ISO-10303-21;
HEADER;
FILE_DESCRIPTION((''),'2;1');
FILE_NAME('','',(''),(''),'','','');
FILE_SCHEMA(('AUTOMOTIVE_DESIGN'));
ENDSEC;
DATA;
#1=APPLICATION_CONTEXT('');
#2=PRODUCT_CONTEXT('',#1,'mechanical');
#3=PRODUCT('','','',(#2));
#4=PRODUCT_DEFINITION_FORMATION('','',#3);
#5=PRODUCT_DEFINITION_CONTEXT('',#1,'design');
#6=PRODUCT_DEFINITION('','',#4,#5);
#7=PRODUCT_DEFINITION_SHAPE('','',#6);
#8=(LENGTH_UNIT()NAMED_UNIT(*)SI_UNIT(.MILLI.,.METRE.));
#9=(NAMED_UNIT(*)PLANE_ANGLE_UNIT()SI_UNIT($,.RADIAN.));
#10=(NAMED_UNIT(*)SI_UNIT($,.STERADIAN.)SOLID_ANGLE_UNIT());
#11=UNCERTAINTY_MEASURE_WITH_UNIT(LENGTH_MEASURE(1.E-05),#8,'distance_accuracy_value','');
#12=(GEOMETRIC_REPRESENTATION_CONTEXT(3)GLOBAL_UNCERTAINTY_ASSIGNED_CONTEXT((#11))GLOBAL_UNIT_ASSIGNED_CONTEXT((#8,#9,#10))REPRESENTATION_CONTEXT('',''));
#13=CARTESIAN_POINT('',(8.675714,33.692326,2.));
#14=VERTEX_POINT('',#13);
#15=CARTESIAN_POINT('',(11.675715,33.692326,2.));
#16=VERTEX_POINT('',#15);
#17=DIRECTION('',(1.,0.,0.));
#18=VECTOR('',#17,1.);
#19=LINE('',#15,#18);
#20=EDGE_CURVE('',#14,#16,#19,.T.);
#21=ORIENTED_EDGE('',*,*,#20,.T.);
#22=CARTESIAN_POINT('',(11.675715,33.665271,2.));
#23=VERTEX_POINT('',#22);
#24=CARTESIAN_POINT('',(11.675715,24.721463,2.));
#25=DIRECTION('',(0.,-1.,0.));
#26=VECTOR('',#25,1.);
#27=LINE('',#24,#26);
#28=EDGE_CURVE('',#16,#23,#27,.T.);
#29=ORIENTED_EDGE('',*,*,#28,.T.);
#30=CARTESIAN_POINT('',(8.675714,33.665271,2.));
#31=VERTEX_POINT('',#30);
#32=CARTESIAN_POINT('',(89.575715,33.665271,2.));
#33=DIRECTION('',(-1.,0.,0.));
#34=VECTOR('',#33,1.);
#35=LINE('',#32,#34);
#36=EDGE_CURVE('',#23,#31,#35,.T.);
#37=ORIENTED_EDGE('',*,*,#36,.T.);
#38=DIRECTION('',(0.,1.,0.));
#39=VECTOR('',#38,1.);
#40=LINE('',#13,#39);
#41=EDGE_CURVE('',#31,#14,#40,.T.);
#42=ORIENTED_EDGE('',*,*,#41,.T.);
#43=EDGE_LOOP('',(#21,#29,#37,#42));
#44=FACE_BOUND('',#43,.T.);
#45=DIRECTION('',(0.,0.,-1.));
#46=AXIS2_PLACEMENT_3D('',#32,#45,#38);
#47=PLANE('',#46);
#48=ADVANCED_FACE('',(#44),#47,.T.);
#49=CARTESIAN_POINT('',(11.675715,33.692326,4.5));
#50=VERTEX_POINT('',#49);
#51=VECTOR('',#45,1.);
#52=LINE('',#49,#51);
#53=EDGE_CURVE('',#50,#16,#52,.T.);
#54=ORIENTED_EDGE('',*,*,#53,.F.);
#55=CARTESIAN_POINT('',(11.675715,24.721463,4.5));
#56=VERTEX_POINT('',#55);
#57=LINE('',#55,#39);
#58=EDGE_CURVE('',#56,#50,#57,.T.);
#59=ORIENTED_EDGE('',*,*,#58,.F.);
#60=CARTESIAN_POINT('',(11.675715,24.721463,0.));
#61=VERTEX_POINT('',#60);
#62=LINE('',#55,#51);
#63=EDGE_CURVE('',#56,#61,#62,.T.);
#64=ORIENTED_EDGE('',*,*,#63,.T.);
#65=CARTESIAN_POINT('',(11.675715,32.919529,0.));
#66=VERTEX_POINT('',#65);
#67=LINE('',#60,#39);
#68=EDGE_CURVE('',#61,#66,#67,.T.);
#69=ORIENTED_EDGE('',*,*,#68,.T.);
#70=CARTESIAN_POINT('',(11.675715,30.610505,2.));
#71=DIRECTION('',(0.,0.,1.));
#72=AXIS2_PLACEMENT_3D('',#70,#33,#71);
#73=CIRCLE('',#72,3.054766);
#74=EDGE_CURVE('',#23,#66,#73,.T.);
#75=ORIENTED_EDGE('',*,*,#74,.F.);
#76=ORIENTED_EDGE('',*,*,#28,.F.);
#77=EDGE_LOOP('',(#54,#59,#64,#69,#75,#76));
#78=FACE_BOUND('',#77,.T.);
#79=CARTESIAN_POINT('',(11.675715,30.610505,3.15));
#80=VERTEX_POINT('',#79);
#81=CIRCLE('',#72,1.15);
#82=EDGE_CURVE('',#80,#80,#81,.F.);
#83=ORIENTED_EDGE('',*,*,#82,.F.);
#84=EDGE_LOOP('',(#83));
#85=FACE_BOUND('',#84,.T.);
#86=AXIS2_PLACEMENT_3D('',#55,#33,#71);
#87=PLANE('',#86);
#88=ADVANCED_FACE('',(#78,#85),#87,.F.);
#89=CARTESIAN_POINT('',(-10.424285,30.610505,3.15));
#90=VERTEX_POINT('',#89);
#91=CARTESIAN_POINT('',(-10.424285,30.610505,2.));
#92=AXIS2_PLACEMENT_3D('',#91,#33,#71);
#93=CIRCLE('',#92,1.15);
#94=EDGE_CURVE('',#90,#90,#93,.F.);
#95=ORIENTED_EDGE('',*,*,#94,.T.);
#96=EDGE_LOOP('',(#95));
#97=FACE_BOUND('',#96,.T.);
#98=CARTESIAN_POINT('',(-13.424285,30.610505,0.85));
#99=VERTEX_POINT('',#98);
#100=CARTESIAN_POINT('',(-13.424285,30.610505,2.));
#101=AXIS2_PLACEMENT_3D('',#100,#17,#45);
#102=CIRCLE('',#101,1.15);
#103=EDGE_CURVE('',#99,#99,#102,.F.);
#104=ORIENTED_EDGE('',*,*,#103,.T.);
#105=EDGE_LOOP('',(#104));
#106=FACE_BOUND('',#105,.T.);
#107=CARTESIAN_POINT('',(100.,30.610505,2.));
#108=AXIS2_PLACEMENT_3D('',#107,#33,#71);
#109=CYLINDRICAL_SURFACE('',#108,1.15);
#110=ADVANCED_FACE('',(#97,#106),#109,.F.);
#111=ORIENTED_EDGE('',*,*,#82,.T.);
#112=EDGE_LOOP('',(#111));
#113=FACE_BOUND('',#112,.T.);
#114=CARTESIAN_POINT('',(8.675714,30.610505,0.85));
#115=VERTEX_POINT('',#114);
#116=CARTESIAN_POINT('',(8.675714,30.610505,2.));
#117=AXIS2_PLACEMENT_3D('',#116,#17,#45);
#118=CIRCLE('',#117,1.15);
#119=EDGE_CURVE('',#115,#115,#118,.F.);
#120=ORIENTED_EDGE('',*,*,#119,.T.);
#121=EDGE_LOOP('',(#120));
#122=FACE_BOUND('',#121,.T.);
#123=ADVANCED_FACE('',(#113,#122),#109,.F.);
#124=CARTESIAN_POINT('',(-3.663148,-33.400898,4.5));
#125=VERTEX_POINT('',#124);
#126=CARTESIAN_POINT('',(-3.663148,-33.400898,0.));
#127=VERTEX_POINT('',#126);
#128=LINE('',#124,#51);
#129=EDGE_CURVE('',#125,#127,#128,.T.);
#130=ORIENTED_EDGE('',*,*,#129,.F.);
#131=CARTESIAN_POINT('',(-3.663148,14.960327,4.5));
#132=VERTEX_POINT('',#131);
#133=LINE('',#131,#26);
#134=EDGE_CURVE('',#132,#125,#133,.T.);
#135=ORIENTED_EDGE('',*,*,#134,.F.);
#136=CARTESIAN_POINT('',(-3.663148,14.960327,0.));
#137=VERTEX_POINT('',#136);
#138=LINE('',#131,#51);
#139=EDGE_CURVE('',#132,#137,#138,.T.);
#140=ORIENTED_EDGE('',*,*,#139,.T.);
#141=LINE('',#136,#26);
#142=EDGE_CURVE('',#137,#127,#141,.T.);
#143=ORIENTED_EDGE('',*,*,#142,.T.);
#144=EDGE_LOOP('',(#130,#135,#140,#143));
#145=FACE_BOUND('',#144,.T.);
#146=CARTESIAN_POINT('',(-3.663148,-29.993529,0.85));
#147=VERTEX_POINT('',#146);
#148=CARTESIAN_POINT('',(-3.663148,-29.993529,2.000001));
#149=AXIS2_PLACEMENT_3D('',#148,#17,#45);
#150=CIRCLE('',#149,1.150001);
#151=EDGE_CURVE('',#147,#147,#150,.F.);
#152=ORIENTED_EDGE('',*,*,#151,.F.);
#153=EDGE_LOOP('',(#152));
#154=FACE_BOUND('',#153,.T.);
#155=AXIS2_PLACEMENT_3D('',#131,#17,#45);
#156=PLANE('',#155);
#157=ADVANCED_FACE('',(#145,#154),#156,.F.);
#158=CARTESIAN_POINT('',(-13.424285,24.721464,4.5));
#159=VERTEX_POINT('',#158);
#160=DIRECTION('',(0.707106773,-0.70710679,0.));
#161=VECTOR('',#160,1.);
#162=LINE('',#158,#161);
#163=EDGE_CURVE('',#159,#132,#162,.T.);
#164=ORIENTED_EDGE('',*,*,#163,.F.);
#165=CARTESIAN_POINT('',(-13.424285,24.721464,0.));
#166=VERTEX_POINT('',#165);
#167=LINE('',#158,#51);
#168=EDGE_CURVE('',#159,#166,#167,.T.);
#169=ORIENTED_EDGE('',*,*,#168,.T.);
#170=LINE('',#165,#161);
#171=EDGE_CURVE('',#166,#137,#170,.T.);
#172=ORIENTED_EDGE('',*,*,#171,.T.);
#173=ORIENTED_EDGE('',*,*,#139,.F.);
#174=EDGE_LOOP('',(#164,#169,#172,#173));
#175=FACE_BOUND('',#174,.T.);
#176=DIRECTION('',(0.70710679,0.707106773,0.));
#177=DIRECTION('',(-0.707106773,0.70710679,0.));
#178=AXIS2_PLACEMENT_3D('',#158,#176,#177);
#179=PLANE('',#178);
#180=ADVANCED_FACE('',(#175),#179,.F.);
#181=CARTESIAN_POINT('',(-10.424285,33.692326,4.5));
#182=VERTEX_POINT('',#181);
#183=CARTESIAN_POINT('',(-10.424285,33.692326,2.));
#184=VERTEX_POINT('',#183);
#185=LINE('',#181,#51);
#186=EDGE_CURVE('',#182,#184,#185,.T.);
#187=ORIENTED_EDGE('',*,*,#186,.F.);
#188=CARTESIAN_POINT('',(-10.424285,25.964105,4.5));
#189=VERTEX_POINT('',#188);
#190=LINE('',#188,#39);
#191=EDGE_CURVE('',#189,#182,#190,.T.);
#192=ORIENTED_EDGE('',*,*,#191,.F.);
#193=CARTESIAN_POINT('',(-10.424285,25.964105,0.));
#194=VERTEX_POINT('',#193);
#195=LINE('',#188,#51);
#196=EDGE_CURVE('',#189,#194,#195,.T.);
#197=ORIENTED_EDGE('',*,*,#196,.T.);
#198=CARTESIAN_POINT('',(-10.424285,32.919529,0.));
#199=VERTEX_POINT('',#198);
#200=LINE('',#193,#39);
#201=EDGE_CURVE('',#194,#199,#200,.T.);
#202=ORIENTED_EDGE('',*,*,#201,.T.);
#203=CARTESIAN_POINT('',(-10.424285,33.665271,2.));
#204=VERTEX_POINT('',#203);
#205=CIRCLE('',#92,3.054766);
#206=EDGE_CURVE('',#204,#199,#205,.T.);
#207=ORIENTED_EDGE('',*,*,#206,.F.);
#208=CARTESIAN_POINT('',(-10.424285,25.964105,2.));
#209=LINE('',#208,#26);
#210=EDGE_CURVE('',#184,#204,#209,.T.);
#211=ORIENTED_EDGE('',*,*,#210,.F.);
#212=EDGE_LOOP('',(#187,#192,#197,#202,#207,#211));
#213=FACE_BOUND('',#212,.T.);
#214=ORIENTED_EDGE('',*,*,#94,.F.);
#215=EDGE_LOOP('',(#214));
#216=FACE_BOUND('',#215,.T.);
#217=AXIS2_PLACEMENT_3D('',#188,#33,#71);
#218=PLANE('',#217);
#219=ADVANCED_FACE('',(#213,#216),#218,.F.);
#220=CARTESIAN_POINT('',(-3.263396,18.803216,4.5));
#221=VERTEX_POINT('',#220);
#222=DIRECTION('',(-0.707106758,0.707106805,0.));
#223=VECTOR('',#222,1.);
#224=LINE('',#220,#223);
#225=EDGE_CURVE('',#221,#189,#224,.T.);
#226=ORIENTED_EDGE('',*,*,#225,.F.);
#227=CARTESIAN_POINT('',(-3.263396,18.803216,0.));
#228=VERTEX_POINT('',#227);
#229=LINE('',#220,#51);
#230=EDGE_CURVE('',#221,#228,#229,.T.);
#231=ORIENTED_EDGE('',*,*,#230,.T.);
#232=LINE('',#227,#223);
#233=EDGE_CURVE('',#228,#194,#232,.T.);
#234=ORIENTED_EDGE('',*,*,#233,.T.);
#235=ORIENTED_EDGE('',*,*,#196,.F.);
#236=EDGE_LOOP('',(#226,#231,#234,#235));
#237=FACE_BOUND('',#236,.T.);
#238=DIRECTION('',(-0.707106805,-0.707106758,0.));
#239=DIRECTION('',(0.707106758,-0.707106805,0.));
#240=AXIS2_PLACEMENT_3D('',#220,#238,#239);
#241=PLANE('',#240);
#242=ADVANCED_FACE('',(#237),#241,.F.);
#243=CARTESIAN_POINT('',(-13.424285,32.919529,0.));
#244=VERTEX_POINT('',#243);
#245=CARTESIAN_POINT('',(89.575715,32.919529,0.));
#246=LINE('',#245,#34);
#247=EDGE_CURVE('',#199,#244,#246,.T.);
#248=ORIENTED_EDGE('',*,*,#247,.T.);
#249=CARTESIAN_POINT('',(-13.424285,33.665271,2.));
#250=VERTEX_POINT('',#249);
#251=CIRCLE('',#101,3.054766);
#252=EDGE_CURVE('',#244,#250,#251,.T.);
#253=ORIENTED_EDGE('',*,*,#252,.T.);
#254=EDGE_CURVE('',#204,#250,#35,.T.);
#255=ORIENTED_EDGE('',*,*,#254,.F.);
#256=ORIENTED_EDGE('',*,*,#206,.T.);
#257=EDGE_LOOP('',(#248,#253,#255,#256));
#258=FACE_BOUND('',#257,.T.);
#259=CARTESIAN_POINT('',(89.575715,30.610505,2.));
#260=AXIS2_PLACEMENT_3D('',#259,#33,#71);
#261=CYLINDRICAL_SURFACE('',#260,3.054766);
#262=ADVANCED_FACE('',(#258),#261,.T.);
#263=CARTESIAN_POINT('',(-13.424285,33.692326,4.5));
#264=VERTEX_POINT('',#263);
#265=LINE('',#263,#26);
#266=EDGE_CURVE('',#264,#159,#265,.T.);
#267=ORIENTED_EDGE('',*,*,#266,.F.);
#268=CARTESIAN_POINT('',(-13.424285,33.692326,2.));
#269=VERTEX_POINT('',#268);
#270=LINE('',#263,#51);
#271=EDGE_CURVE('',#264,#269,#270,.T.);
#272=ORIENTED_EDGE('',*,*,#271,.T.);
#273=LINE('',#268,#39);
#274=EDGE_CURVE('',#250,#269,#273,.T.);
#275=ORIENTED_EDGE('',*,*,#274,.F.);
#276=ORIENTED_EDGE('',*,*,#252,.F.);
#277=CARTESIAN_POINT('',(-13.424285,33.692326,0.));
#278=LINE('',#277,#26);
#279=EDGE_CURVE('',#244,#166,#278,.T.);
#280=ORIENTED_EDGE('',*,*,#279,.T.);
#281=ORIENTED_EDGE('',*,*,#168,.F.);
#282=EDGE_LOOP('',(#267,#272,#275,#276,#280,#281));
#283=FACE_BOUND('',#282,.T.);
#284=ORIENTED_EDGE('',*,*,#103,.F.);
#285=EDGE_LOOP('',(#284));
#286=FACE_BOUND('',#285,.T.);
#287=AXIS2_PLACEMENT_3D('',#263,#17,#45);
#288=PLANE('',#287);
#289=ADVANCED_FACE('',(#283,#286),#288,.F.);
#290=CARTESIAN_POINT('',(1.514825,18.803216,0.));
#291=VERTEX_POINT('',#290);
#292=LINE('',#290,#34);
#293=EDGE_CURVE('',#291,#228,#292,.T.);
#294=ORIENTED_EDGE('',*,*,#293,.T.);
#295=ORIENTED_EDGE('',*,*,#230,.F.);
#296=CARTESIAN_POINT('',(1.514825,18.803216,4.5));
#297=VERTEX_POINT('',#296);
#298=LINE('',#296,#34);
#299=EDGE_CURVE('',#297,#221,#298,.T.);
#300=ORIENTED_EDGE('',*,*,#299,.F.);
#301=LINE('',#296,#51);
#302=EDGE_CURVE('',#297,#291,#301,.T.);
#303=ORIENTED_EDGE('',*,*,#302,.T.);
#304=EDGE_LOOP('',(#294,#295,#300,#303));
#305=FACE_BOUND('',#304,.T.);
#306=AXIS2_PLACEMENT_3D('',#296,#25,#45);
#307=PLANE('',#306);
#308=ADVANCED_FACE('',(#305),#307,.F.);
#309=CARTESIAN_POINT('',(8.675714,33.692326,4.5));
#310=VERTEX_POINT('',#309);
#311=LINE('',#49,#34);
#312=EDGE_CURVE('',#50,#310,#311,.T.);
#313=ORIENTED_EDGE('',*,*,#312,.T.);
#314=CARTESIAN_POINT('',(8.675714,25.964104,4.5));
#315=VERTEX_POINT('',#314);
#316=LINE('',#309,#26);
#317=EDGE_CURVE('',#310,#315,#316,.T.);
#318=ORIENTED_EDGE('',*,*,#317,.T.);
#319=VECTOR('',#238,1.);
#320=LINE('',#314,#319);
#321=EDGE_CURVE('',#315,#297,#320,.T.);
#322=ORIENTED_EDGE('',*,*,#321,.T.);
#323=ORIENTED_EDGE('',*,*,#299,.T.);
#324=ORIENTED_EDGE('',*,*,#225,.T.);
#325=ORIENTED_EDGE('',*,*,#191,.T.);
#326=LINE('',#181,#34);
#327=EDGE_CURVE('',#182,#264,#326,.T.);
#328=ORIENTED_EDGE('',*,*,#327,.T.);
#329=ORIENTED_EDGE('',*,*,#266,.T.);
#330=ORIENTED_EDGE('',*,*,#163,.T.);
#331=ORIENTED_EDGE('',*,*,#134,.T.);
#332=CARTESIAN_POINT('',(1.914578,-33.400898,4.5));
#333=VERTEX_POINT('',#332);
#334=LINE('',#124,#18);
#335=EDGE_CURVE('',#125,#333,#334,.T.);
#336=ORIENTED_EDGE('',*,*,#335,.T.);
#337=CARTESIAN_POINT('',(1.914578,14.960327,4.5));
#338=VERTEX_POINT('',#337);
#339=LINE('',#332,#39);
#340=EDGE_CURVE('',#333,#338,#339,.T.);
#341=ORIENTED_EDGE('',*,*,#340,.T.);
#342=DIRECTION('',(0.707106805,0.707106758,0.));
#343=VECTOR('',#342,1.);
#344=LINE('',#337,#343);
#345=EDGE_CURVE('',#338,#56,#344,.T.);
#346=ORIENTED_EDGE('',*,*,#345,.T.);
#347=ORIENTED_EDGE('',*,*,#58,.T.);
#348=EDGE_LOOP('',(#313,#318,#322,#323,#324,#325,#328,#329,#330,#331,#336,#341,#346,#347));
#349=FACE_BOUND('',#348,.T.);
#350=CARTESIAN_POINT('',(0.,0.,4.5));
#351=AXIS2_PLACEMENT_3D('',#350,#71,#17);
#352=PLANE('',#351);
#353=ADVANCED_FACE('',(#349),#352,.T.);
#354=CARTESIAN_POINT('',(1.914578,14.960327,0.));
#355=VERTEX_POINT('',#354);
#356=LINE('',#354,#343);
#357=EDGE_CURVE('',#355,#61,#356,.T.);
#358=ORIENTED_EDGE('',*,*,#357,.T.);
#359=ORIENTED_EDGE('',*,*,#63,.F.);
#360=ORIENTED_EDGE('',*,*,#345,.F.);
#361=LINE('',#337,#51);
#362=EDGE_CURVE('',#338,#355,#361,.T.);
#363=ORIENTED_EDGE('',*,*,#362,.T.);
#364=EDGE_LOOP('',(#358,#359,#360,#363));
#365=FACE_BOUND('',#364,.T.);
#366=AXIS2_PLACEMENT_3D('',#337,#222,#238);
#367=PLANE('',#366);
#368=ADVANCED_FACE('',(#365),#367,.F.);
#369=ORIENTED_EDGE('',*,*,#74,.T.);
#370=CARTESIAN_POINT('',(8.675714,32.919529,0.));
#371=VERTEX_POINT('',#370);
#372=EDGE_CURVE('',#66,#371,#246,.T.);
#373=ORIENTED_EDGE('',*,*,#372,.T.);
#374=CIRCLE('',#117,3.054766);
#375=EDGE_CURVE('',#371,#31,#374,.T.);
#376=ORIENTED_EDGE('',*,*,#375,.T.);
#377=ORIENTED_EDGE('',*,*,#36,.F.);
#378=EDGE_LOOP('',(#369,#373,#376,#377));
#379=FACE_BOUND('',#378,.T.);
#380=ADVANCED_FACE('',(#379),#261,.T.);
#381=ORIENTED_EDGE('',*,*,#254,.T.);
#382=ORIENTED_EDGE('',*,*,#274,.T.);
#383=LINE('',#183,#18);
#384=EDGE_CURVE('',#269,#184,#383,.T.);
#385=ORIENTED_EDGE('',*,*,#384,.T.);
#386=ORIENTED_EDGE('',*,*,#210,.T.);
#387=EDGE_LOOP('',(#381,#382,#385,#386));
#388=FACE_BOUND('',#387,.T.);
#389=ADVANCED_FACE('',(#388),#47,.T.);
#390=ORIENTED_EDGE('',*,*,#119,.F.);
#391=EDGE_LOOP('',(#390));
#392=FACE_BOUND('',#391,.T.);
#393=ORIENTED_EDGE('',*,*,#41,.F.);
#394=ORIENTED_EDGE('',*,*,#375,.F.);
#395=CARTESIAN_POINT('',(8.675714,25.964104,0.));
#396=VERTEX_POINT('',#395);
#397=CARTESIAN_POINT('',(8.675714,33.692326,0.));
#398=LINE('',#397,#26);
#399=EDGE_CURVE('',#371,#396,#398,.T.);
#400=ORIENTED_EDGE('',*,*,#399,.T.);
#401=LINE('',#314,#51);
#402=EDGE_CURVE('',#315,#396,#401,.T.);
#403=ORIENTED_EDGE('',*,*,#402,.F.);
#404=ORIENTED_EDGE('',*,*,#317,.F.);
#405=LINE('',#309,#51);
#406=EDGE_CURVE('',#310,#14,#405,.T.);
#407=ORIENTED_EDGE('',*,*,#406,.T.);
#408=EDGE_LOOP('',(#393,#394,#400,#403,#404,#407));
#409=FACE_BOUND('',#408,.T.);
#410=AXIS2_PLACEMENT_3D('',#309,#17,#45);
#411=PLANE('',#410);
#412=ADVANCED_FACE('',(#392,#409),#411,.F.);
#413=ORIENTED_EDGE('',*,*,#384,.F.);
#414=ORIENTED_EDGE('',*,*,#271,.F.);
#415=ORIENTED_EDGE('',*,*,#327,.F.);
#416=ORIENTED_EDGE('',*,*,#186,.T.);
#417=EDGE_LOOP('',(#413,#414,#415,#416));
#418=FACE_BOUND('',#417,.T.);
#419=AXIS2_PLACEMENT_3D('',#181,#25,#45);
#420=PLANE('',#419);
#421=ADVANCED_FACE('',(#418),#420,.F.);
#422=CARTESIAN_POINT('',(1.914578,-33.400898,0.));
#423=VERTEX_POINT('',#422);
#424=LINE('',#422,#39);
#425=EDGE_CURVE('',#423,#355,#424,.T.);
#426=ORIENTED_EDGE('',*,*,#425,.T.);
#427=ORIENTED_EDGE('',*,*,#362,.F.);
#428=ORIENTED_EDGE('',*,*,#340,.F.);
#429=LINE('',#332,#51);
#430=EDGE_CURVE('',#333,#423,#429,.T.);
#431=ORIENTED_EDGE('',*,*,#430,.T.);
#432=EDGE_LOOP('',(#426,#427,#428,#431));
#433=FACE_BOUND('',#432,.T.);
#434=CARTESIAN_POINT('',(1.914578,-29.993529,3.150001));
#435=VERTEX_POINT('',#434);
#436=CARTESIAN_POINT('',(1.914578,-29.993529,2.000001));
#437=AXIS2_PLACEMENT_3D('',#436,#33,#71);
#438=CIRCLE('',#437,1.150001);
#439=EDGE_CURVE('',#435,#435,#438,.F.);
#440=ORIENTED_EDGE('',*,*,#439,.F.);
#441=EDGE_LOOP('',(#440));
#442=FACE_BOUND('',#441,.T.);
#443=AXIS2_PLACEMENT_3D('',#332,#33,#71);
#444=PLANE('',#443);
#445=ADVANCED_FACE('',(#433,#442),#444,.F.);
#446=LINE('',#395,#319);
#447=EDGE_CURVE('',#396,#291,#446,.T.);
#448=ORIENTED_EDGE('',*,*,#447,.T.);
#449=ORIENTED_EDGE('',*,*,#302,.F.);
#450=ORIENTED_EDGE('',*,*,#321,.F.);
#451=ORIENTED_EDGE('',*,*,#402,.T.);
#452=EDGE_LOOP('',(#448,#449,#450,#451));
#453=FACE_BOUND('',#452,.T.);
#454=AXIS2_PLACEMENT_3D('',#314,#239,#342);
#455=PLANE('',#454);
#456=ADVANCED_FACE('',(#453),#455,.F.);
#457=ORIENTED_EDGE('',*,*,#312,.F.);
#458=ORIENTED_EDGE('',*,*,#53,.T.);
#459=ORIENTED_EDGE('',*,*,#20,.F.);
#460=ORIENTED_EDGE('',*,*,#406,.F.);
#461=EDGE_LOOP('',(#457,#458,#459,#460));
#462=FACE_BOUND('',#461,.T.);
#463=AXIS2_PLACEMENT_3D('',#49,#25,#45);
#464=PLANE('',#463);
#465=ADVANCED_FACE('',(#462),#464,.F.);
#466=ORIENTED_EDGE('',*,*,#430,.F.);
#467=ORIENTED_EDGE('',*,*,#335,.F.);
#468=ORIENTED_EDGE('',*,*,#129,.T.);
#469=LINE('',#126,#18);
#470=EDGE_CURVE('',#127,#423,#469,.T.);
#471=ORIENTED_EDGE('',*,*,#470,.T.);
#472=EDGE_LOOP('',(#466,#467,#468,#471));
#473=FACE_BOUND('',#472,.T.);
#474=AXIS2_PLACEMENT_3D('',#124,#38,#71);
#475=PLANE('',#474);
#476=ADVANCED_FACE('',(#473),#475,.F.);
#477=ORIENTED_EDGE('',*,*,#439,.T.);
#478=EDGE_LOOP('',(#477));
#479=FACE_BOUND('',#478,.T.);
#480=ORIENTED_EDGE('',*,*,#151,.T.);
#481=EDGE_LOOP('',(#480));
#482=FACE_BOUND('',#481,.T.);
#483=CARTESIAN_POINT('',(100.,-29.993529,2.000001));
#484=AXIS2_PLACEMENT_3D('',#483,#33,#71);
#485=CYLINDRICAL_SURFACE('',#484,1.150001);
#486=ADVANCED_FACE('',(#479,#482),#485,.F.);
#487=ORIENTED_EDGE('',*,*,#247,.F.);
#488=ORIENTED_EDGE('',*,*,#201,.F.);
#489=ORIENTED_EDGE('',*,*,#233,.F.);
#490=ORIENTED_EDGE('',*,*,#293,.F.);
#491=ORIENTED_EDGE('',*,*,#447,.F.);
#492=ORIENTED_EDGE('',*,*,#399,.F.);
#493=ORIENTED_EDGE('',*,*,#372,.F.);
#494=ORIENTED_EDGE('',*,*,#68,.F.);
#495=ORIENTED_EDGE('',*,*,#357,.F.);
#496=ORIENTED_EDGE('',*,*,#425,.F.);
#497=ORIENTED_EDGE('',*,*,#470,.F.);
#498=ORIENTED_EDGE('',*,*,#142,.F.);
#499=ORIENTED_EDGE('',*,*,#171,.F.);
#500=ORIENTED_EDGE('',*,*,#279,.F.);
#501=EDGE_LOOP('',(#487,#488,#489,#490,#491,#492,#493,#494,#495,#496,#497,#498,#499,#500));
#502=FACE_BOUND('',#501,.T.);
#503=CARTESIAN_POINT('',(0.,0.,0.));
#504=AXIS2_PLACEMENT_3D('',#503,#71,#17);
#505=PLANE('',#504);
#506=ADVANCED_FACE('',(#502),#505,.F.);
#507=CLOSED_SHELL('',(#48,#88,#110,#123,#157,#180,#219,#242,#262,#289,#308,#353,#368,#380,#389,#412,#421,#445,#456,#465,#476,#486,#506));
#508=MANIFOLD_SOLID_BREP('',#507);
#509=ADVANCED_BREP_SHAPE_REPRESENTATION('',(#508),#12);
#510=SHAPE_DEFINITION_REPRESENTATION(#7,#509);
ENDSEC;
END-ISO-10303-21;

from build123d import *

# Parameters (mm, degrees)
EXTRUDE_1_DEPTH          = 4.5
CUT_EXTRUDE_1_DEPTH      = 100
CUT_EXTRUDE_1_DEPTH_BACK = 100
SKETCH_2_R               = 1.150000595
SKETCH_2_R_2             = 1.150000006
CUT_EXTRUDE_2_DEPTH      = 100
CUT_EXTRUDE_2_DEPTH_BACK = 10


with BuildPart() as part:
    # 草图1 → 凸台-拉伸1 (new body)
    with BuildSketch(Plane.XY):
        Polygon((-3.663147943, -33.4008975), (1.914578421, -33.4008975), (1.914578421, 14.960326674), (11.675714921, 24.721462524), (11.675714921, 33.692325595), (8.675714, 33.692325595), (8.675714, 25.964104178), (1.514824851, 18.803215506), (-3.263396279, 18.803215506), (-10.424284951, 25.964104655), (-10.424284951, 33.692326072), (-13.424284951, 33.692326072), (-13.424284951, 24.721463921), (-3.663147943, 14.960326674), align=None)
    extrude(amount=EXTRUDE_1_DEPTH)

    # 草图2 → 切除-拉伸1 (cut, two sides: drawn at the far end of the back side and taken through both)
    with BuildSketch(Plane(origin=(0, 0, 0), x_dir=(0, 0, -1), z_dir=(1, 0, 0)).offset(-CUT_EXTRUDE_1_DEPTH_BACK)):
        with Locations(Location((-2.000000723, -29.993528863, 0), (0, 0, 180))):
            Circle(SKETCH_2_R)
        with Locations(Location((-2.000000233, 30.610505435, 0), (0, 0, 180))):
            Circle(SKETCH_2_R_2)
    extrude(amount=CUT_EXTRUDE_1_DEPTH + CUT_EXTRUDE_1_DEPTH_BACK, mode=Mode.SUBTRACT)

    # 草图3 → 切除-拉伸2 (cut, two sides: drawn at the far end of the back side and taken through both)
    with BuildSketch(Plane(origin=(-10.424284951, 0, 0), x_dir=(0, 0, -1), z_dir=(1, 0, 0)).offset(-CUT_EXTRUDE_2_DEPTH_BACK)):
        with BuildLine():
            Line((-2.000000233, 33.665271008), (-2.000000233, 37.690968831))
            ThreePointArc((-2.000000233, 37.690968831), (3.006643449, 35.617149116), (5.080463163, 30.610505435))
            Line((5.080463163, 30.610505435), (1.05476534, 30.610505435))
            ThreePointArc((1.05476534, 30.610505435), (0.160045219, 32.770550887), (-2.000000233, 33.665271008))
        make_face()
    extrude(amount=CUT_EXTRUDE_2_DEPTH + CUT_EXTRUDE_2_DEPTH_BACK, mode=Mode.SUBTRACT)


solid = part.part
